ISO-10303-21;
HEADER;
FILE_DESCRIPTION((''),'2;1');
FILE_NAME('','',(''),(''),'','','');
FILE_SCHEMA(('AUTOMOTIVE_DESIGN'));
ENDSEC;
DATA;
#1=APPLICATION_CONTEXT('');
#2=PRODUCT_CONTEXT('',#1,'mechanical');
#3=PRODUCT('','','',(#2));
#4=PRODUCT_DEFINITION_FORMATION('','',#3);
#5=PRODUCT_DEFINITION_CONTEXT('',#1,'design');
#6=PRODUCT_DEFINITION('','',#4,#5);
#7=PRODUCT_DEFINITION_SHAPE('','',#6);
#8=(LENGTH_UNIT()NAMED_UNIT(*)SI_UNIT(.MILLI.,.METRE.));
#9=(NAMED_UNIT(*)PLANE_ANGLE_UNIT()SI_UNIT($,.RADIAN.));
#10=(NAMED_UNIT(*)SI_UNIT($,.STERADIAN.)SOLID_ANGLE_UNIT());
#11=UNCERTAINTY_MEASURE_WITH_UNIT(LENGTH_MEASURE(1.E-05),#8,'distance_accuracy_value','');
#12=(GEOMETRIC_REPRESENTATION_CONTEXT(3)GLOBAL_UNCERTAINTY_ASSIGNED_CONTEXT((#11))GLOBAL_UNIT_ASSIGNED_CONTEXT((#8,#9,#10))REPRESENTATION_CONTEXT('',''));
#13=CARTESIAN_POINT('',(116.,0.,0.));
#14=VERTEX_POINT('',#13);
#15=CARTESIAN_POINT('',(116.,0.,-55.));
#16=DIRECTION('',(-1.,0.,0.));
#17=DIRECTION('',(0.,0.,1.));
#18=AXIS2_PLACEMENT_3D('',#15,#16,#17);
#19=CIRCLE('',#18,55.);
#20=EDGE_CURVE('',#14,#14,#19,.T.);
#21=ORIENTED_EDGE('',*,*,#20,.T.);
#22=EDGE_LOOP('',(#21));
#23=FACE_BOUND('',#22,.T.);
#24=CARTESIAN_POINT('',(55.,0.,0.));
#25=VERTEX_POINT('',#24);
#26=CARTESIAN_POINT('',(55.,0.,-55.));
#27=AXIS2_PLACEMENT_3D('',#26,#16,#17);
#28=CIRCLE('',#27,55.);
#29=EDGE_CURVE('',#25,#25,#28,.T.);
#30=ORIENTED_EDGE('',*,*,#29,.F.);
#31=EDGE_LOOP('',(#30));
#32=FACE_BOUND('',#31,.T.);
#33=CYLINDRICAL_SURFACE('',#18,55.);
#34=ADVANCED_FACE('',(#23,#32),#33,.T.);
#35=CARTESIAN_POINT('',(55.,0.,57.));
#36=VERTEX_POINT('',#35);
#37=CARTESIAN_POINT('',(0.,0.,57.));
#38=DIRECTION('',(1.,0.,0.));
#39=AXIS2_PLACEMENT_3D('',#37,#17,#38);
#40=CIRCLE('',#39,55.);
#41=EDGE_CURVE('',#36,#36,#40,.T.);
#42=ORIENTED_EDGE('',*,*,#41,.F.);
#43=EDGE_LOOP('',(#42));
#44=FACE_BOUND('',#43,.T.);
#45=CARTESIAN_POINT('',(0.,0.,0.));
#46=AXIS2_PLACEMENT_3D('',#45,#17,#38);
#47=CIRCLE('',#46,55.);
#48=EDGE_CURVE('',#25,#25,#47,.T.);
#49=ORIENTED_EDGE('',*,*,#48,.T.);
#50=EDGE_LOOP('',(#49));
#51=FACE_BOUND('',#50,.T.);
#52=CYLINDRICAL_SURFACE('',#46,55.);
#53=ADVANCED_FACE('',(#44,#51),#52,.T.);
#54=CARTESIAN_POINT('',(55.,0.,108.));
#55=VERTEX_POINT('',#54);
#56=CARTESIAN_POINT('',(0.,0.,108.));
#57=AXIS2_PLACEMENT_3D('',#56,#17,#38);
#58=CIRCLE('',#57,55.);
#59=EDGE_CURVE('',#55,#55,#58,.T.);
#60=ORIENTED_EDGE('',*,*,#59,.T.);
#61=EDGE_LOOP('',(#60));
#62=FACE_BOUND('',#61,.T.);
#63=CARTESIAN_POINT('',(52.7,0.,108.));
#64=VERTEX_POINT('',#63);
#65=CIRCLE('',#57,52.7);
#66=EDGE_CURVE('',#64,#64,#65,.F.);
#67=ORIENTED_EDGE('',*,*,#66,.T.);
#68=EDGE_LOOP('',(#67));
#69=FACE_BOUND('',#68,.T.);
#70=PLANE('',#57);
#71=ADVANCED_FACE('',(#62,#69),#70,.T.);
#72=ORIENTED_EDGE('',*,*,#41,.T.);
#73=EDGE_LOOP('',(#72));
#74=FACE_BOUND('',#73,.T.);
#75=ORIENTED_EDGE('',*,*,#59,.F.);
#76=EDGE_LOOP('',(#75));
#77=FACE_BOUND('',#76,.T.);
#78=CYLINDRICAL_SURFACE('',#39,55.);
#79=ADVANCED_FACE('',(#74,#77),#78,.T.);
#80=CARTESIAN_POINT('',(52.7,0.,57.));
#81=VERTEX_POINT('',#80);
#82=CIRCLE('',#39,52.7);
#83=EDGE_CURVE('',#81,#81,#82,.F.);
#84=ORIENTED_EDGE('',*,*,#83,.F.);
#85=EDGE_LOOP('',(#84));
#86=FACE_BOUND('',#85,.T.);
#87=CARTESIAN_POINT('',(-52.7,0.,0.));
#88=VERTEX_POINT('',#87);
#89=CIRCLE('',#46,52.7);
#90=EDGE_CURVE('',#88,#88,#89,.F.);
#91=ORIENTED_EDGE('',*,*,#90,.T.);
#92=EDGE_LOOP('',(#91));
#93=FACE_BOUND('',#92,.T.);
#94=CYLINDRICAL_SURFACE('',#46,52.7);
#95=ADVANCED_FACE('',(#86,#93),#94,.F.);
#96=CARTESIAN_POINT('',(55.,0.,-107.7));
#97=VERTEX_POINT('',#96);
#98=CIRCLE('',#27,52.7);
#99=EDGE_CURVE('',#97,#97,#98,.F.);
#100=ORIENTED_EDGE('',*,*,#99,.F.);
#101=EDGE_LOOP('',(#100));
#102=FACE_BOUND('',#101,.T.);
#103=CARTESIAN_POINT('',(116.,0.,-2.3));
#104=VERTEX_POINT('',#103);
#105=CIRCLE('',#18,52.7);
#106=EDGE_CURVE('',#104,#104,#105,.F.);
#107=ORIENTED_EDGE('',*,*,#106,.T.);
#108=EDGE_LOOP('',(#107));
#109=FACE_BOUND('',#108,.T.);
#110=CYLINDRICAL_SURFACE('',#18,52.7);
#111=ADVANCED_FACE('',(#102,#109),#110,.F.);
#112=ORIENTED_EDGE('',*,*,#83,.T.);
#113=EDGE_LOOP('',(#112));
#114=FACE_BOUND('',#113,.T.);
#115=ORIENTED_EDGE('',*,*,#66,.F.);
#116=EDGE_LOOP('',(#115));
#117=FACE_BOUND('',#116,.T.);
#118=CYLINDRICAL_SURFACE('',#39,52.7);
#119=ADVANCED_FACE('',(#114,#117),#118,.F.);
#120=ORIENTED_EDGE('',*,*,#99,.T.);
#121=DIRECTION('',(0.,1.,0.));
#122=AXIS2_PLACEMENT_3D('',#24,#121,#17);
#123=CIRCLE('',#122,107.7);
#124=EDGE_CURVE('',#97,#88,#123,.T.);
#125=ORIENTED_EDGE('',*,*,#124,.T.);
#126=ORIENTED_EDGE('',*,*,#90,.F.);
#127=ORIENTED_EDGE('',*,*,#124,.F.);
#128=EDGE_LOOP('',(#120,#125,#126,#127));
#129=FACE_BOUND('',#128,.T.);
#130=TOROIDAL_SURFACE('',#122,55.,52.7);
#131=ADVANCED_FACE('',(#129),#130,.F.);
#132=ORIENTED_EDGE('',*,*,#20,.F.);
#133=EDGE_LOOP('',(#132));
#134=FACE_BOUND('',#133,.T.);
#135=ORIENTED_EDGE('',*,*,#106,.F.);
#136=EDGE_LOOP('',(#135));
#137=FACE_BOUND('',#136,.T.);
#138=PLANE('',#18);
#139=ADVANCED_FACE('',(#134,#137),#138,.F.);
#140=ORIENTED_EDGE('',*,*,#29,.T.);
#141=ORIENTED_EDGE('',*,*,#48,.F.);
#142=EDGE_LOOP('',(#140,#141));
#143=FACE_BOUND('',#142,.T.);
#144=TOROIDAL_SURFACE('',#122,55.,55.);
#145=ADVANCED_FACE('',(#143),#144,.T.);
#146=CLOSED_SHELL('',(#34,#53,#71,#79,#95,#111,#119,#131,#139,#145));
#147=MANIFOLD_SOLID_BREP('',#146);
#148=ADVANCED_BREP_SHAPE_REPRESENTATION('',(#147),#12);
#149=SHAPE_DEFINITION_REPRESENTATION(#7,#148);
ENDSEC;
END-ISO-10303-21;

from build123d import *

# Parameters (mm, degrees)
SKETCH_3_R   = 55
SKETCH_3_R_2 = 52.7


with BuildPart() as part:
    # По траектории1: sweep along a path in Эскиз1
    with BuildLine(Plane(origin=(0, 0, 0), x_dir=(1, 0, 0), z_dir=(0, 1, 0))) as sweep_1_path:
        Line((116, 55), (55, 55))
        ThreePointArc((55, 55), (16.109127035, 38.890872965), (0, 0))
        Line((0, 0), (0, -57))
        Line((0, -57), (0, -108))
    # Эскиз3 → По траектории1 (sweep)
    with BuildSketch(Plane.XY.offset(108)):
        Circle(SKETCH_3_R)
        Circle(SKETCH_3_R_2, mode=Mode.SUBTRACT)
    sweep(path=sweep_1_path.line)


solid = part.part
